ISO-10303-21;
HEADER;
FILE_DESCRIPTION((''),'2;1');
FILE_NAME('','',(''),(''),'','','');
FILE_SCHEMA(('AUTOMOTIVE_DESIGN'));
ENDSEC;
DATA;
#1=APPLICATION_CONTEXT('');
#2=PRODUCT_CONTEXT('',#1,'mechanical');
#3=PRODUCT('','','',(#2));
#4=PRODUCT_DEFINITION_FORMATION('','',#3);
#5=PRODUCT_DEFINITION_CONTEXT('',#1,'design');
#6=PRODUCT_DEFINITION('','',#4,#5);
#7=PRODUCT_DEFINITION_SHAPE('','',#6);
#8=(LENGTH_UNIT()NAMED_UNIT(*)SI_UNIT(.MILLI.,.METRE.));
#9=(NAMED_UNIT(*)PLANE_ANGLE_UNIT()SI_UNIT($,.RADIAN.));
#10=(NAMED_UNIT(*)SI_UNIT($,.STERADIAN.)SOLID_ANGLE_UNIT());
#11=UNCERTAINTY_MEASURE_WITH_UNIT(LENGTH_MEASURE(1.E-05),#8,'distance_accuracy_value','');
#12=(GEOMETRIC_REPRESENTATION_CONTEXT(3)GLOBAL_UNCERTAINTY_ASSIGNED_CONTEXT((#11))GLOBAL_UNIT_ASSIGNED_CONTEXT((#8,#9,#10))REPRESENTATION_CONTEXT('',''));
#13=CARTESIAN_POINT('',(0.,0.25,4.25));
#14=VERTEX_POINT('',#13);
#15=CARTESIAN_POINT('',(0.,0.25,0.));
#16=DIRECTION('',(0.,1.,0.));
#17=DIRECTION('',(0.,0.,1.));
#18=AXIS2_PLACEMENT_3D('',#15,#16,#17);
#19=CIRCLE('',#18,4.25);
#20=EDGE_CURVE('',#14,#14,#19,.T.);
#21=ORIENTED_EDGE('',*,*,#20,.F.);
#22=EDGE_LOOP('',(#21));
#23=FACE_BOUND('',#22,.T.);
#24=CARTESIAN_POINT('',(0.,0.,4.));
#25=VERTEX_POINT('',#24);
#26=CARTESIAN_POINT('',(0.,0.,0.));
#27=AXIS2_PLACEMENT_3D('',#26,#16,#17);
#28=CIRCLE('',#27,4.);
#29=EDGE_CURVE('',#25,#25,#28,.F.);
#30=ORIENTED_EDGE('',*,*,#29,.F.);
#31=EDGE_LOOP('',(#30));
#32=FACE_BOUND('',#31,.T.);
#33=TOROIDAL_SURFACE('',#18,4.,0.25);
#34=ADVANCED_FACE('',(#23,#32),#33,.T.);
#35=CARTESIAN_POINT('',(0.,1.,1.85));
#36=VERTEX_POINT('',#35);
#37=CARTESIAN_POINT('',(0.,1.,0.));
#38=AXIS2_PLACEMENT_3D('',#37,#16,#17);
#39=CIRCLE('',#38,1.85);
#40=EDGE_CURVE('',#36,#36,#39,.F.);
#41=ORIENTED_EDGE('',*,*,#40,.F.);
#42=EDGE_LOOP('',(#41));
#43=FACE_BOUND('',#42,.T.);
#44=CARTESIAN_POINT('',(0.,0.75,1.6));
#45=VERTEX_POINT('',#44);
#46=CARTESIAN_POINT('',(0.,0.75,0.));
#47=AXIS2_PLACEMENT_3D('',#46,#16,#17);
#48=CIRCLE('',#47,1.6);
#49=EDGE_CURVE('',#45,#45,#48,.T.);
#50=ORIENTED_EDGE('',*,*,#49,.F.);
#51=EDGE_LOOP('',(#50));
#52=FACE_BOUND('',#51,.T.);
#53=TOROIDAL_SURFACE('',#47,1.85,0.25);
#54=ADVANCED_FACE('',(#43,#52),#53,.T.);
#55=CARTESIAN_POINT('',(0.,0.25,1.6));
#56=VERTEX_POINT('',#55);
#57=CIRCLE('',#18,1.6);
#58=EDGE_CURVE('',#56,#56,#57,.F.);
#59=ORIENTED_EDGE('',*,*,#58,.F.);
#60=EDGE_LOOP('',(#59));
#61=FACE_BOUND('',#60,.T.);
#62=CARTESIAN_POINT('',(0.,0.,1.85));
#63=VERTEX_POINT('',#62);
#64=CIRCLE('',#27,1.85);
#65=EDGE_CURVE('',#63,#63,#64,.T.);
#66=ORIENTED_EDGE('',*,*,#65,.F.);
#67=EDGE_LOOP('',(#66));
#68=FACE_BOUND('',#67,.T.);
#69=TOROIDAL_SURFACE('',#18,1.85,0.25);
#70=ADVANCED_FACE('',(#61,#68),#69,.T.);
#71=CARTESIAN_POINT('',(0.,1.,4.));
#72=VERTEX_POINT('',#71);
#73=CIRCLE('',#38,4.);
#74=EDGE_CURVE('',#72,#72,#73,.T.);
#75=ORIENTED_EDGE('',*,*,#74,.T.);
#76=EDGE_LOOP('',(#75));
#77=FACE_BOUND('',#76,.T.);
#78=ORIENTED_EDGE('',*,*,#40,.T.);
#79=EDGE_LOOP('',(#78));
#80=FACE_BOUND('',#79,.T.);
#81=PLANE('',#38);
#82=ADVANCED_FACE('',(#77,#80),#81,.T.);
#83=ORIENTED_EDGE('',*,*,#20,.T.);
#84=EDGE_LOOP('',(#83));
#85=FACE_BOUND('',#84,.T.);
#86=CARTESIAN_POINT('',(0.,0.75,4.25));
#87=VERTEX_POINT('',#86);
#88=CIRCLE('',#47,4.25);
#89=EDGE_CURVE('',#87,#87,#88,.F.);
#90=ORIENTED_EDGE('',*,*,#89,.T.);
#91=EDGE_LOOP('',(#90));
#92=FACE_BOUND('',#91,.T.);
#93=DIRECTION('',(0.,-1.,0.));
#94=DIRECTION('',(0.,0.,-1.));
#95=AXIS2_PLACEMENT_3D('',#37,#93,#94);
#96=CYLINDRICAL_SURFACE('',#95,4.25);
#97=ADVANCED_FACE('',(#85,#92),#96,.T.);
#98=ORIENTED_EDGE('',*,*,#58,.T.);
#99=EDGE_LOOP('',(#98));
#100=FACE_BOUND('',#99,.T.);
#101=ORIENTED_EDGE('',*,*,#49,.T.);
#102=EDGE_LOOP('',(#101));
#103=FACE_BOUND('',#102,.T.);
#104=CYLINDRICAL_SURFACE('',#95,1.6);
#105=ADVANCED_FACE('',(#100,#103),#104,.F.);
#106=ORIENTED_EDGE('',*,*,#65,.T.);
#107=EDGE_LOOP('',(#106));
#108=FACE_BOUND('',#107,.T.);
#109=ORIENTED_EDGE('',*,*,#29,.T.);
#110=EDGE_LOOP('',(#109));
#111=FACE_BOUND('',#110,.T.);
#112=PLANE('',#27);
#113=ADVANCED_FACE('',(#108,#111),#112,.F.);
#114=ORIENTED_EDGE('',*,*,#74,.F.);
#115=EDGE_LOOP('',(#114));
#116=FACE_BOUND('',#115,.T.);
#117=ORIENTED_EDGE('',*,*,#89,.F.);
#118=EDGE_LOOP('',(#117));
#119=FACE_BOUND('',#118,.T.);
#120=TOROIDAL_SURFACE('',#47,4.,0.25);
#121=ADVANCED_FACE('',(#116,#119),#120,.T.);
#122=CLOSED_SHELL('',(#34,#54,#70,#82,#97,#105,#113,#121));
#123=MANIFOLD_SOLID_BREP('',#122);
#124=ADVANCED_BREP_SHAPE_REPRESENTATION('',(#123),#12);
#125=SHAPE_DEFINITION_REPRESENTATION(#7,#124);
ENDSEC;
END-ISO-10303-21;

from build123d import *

# Parameters (mm, degrees)
SKETCH1_R           = 4.25
SKETCH1_R_2         = 1.6
BOSS_EXTRUDE1_DEPTH = 1
FILLET1_R           = 0.25
FILLET2_R           = 0.25


with BuildPart() as part:
    # Sketch1 → Boss-Extrude1 (new body)
    with BuildSketch(Plane(origin=(0, 0, 0), x_dir=(1, 0, 0), z_dir=(0, 1, 0))):
        with Locations(Location((0, 0, 0), (0, 0, 270))):
            Circle(SKETCH1_R)
        with Locations(Location((0, 0, 0), (0, 0, 270))):
            Circle(SKETCH1_R_2, mode=Mode.SUBTRACT)
    extrude(amount=BOSS_EXTRUDE1_DEPTH)

    # Fillet1
    fillet1_edges = [part.edges().sort_by_distance(p)[0] for p in [
        (0, 1, -4.25),
        (0, 0, -4.25),
    ]]
    fillet(fillet1_edges, radius=FILLET1_R)

    # Fillet2
    fillet2_edges = [part.edges().sort_by_distance(p)[0] for p in [
        (0, 0, -1.6),
        (0, 1, -1.6),
    ]]
    fillet(fillet2_edges, radius=FILLET2_R)


solid = part.part
